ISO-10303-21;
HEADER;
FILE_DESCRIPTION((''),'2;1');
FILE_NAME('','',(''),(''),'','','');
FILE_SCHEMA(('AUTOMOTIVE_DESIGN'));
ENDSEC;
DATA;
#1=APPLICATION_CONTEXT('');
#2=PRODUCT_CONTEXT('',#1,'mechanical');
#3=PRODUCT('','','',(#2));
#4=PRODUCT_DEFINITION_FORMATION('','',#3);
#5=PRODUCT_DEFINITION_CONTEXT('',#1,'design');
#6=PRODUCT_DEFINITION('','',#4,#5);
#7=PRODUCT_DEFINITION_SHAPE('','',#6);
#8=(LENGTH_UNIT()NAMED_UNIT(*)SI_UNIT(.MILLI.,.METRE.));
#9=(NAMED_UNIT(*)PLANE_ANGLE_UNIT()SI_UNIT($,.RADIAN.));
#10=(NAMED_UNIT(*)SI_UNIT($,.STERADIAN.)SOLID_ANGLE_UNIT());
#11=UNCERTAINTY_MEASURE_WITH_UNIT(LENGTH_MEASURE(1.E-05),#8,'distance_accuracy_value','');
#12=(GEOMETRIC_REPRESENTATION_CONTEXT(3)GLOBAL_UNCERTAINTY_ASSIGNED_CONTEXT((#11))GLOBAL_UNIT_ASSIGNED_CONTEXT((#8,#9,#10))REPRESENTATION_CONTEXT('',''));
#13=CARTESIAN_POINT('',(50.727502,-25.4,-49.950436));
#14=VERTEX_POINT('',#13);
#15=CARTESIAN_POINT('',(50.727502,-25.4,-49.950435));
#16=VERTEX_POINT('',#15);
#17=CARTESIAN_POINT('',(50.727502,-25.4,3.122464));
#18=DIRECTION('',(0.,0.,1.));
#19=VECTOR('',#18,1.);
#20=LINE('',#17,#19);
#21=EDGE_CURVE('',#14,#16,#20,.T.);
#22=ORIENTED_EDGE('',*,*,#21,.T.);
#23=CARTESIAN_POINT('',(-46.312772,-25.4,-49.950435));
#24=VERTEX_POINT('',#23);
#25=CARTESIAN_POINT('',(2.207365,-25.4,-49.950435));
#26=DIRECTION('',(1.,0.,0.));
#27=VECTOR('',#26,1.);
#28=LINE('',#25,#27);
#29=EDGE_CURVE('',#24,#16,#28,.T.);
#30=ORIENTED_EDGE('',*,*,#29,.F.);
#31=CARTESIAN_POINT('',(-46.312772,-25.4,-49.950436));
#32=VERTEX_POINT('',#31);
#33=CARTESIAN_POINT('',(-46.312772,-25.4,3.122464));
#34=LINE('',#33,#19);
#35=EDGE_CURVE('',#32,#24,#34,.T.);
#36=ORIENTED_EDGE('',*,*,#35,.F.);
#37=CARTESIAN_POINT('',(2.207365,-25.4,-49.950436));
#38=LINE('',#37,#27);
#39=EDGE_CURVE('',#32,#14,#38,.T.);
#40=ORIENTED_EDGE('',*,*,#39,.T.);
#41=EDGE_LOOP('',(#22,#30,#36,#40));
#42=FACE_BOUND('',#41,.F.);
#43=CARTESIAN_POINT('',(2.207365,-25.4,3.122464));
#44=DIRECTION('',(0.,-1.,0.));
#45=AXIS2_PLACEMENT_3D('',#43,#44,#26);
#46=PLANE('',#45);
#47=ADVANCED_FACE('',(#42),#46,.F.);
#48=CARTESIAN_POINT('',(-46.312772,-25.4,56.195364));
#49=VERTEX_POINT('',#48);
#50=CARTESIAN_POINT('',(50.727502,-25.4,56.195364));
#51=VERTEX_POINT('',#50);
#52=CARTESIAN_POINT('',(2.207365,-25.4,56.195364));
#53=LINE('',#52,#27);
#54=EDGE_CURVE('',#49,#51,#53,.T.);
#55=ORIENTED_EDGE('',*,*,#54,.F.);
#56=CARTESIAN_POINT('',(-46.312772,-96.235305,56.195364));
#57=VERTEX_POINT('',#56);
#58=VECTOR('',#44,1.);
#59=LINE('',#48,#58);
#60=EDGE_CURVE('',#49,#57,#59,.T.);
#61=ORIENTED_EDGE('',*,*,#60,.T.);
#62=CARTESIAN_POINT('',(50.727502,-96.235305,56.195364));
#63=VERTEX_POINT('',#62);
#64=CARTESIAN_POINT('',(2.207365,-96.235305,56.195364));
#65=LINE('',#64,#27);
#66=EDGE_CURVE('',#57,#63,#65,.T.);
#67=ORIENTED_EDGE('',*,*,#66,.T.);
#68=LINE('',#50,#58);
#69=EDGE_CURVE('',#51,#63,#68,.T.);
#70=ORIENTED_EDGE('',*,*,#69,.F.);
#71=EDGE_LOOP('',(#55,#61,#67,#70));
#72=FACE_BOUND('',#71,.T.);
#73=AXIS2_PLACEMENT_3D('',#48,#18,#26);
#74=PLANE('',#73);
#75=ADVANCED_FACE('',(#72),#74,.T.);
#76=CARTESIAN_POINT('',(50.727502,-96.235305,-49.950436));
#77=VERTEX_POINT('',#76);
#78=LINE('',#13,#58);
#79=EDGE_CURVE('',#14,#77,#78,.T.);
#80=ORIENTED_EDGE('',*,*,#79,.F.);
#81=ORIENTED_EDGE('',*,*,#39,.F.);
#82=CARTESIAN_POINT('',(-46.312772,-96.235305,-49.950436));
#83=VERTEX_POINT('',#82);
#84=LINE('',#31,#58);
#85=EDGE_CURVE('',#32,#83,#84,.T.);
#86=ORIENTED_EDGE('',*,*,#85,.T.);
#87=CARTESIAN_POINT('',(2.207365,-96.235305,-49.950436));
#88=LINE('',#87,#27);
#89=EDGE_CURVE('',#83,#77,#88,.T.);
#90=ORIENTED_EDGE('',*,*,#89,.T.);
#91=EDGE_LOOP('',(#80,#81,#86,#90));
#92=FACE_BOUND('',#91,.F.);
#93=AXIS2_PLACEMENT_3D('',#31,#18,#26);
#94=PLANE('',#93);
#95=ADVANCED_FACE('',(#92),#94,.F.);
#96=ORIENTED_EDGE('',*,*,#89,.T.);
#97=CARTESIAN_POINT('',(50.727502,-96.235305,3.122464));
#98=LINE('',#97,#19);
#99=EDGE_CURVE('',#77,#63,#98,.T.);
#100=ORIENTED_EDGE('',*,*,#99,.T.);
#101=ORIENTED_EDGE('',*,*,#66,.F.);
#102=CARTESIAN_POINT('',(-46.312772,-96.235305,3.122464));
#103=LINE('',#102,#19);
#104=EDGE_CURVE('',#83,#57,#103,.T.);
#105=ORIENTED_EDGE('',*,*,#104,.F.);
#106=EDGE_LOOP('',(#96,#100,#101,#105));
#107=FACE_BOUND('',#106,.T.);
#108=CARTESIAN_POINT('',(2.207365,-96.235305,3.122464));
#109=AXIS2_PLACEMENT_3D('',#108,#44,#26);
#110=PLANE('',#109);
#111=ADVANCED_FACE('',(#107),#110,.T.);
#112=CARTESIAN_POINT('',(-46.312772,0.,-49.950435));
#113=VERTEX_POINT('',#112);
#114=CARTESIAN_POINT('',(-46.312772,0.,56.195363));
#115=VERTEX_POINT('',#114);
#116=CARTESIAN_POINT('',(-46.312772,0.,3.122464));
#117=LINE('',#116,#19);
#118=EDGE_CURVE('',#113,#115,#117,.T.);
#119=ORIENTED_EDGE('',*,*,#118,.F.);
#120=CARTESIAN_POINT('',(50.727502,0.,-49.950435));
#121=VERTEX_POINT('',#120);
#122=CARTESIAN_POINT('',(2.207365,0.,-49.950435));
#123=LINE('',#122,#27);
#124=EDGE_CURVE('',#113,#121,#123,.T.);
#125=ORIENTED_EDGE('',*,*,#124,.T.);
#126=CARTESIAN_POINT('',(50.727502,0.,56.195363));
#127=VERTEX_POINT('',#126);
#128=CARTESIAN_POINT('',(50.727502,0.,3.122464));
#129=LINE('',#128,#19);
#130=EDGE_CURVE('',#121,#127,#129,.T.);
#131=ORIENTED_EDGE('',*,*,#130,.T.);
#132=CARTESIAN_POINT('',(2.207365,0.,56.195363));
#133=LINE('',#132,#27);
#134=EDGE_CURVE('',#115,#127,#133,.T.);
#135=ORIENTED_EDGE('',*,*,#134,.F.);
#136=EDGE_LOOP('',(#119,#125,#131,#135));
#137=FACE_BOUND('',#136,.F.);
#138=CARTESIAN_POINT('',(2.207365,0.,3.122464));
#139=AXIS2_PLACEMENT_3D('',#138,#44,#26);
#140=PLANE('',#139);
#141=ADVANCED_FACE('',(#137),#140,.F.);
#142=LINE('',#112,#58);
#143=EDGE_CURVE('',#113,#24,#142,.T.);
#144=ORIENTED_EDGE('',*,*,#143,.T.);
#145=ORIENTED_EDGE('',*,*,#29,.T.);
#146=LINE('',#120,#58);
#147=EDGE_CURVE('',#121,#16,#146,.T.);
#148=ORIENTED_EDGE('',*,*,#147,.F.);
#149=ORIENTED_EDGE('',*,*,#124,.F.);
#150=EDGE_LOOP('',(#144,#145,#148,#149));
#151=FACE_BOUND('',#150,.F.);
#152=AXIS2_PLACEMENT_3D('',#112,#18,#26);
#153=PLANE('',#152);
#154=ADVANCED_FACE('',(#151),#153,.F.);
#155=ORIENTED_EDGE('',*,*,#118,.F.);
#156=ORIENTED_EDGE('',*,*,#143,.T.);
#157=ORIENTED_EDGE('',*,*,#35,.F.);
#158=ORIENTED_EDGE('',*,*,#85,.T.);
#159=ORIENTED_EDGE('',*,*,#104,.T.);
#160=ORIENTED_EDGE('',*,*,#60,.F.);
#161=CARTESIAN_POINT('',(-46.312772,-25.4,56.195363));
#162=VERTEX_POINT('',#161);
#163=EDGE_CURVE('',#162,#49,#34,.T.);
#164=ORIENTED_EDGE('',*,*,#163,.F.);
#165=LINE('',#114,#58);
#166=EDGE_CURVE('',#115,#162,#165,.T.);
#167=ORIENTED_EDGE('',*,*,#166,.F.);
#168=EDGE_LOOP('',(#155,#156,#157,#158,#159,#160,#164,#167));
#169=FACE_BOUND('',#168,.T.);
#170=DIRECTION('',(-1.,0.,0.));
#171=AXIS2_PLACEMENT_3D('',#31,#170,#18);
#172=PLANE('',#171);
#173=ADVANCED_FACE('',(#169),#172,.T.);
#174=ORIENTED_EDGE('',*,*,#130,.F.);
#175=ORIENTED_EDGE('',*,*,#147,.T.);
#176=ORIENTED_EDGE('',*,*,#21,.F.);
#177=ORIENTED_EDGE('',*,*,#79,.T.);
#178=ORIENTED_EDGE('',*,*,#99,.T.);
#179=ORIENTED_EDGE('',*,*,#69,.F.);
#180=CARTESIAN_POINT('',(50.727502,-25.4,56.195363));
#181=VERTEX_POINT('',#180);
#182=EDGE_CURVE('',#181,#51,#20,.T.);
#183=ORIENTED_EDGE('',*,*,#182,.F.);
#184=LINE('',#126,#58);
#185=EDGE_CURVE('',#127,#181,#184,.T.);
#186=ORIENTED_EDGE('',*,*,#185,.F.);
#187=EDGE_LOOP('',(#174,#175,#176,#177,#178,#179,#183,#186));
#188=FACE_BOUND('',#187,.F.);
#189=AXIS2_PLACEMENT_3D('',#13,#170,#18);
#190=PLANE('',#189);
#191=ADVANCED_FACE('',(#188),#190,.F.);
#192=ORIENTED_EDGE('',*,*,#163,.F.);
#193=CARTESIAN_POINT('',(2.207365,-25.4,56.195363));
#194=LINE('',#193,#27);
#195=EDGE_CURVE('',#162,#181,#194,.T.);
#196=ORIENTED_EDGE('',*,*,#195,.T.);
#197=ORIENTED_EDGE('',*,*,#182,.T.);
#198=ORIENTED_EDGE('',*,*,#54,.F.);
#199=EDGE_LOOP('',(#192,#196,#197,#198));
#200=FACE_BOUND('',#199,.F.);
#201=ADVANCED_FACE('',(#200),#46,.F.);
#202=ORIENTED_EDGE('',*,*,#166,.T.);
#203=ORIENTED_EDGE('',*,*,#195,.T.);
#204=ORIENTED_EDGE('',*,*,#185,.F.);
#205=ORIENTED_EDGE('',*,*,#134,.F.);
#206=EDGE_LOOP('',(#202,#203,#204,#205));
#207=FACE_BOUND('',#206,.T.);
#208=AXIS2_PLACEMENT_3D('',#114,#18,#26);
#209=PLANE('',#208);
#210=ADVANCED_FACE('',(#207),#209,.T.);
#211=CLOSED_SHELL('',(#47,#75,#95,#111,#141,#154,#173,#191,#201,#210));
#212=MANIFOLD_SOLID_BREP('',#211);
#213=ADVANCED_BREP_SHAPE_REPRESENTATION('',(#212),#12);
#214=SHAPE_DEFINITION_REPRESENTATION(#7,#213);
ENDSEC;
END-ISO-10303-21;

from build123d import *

# Parameters (mm, degrees)
F1_W      = 97.040274
F1_H      = 106.145799
F2_DEPTH  = 25.4
F2_FACE_W = 97.040274
F2_FACE_H = 106.1458
F3_DEPTH  = 70.835305


with BuildPart() as f2:
    # F1 (on face) → F2 (new body)
    with BuildSketch(Plane.XZ):
        with Locations((2.207365, 3.122464)):
            Rectangle(F1_W, F1_H)
    extrude(amount=F2_DEPTH)

    # F2_face (on face) → F3 (join)
    with BuildSketch(Plane(origin=(2.207365, -25.4, 3.122464), x_dir=(1, 0, 0), z_dir=(0, -1, 0))):
        Rectangle(F2_FACE_W, F2_FACE_H)
    extrude(amount=F3_DEPTH)


solid = f2.part
